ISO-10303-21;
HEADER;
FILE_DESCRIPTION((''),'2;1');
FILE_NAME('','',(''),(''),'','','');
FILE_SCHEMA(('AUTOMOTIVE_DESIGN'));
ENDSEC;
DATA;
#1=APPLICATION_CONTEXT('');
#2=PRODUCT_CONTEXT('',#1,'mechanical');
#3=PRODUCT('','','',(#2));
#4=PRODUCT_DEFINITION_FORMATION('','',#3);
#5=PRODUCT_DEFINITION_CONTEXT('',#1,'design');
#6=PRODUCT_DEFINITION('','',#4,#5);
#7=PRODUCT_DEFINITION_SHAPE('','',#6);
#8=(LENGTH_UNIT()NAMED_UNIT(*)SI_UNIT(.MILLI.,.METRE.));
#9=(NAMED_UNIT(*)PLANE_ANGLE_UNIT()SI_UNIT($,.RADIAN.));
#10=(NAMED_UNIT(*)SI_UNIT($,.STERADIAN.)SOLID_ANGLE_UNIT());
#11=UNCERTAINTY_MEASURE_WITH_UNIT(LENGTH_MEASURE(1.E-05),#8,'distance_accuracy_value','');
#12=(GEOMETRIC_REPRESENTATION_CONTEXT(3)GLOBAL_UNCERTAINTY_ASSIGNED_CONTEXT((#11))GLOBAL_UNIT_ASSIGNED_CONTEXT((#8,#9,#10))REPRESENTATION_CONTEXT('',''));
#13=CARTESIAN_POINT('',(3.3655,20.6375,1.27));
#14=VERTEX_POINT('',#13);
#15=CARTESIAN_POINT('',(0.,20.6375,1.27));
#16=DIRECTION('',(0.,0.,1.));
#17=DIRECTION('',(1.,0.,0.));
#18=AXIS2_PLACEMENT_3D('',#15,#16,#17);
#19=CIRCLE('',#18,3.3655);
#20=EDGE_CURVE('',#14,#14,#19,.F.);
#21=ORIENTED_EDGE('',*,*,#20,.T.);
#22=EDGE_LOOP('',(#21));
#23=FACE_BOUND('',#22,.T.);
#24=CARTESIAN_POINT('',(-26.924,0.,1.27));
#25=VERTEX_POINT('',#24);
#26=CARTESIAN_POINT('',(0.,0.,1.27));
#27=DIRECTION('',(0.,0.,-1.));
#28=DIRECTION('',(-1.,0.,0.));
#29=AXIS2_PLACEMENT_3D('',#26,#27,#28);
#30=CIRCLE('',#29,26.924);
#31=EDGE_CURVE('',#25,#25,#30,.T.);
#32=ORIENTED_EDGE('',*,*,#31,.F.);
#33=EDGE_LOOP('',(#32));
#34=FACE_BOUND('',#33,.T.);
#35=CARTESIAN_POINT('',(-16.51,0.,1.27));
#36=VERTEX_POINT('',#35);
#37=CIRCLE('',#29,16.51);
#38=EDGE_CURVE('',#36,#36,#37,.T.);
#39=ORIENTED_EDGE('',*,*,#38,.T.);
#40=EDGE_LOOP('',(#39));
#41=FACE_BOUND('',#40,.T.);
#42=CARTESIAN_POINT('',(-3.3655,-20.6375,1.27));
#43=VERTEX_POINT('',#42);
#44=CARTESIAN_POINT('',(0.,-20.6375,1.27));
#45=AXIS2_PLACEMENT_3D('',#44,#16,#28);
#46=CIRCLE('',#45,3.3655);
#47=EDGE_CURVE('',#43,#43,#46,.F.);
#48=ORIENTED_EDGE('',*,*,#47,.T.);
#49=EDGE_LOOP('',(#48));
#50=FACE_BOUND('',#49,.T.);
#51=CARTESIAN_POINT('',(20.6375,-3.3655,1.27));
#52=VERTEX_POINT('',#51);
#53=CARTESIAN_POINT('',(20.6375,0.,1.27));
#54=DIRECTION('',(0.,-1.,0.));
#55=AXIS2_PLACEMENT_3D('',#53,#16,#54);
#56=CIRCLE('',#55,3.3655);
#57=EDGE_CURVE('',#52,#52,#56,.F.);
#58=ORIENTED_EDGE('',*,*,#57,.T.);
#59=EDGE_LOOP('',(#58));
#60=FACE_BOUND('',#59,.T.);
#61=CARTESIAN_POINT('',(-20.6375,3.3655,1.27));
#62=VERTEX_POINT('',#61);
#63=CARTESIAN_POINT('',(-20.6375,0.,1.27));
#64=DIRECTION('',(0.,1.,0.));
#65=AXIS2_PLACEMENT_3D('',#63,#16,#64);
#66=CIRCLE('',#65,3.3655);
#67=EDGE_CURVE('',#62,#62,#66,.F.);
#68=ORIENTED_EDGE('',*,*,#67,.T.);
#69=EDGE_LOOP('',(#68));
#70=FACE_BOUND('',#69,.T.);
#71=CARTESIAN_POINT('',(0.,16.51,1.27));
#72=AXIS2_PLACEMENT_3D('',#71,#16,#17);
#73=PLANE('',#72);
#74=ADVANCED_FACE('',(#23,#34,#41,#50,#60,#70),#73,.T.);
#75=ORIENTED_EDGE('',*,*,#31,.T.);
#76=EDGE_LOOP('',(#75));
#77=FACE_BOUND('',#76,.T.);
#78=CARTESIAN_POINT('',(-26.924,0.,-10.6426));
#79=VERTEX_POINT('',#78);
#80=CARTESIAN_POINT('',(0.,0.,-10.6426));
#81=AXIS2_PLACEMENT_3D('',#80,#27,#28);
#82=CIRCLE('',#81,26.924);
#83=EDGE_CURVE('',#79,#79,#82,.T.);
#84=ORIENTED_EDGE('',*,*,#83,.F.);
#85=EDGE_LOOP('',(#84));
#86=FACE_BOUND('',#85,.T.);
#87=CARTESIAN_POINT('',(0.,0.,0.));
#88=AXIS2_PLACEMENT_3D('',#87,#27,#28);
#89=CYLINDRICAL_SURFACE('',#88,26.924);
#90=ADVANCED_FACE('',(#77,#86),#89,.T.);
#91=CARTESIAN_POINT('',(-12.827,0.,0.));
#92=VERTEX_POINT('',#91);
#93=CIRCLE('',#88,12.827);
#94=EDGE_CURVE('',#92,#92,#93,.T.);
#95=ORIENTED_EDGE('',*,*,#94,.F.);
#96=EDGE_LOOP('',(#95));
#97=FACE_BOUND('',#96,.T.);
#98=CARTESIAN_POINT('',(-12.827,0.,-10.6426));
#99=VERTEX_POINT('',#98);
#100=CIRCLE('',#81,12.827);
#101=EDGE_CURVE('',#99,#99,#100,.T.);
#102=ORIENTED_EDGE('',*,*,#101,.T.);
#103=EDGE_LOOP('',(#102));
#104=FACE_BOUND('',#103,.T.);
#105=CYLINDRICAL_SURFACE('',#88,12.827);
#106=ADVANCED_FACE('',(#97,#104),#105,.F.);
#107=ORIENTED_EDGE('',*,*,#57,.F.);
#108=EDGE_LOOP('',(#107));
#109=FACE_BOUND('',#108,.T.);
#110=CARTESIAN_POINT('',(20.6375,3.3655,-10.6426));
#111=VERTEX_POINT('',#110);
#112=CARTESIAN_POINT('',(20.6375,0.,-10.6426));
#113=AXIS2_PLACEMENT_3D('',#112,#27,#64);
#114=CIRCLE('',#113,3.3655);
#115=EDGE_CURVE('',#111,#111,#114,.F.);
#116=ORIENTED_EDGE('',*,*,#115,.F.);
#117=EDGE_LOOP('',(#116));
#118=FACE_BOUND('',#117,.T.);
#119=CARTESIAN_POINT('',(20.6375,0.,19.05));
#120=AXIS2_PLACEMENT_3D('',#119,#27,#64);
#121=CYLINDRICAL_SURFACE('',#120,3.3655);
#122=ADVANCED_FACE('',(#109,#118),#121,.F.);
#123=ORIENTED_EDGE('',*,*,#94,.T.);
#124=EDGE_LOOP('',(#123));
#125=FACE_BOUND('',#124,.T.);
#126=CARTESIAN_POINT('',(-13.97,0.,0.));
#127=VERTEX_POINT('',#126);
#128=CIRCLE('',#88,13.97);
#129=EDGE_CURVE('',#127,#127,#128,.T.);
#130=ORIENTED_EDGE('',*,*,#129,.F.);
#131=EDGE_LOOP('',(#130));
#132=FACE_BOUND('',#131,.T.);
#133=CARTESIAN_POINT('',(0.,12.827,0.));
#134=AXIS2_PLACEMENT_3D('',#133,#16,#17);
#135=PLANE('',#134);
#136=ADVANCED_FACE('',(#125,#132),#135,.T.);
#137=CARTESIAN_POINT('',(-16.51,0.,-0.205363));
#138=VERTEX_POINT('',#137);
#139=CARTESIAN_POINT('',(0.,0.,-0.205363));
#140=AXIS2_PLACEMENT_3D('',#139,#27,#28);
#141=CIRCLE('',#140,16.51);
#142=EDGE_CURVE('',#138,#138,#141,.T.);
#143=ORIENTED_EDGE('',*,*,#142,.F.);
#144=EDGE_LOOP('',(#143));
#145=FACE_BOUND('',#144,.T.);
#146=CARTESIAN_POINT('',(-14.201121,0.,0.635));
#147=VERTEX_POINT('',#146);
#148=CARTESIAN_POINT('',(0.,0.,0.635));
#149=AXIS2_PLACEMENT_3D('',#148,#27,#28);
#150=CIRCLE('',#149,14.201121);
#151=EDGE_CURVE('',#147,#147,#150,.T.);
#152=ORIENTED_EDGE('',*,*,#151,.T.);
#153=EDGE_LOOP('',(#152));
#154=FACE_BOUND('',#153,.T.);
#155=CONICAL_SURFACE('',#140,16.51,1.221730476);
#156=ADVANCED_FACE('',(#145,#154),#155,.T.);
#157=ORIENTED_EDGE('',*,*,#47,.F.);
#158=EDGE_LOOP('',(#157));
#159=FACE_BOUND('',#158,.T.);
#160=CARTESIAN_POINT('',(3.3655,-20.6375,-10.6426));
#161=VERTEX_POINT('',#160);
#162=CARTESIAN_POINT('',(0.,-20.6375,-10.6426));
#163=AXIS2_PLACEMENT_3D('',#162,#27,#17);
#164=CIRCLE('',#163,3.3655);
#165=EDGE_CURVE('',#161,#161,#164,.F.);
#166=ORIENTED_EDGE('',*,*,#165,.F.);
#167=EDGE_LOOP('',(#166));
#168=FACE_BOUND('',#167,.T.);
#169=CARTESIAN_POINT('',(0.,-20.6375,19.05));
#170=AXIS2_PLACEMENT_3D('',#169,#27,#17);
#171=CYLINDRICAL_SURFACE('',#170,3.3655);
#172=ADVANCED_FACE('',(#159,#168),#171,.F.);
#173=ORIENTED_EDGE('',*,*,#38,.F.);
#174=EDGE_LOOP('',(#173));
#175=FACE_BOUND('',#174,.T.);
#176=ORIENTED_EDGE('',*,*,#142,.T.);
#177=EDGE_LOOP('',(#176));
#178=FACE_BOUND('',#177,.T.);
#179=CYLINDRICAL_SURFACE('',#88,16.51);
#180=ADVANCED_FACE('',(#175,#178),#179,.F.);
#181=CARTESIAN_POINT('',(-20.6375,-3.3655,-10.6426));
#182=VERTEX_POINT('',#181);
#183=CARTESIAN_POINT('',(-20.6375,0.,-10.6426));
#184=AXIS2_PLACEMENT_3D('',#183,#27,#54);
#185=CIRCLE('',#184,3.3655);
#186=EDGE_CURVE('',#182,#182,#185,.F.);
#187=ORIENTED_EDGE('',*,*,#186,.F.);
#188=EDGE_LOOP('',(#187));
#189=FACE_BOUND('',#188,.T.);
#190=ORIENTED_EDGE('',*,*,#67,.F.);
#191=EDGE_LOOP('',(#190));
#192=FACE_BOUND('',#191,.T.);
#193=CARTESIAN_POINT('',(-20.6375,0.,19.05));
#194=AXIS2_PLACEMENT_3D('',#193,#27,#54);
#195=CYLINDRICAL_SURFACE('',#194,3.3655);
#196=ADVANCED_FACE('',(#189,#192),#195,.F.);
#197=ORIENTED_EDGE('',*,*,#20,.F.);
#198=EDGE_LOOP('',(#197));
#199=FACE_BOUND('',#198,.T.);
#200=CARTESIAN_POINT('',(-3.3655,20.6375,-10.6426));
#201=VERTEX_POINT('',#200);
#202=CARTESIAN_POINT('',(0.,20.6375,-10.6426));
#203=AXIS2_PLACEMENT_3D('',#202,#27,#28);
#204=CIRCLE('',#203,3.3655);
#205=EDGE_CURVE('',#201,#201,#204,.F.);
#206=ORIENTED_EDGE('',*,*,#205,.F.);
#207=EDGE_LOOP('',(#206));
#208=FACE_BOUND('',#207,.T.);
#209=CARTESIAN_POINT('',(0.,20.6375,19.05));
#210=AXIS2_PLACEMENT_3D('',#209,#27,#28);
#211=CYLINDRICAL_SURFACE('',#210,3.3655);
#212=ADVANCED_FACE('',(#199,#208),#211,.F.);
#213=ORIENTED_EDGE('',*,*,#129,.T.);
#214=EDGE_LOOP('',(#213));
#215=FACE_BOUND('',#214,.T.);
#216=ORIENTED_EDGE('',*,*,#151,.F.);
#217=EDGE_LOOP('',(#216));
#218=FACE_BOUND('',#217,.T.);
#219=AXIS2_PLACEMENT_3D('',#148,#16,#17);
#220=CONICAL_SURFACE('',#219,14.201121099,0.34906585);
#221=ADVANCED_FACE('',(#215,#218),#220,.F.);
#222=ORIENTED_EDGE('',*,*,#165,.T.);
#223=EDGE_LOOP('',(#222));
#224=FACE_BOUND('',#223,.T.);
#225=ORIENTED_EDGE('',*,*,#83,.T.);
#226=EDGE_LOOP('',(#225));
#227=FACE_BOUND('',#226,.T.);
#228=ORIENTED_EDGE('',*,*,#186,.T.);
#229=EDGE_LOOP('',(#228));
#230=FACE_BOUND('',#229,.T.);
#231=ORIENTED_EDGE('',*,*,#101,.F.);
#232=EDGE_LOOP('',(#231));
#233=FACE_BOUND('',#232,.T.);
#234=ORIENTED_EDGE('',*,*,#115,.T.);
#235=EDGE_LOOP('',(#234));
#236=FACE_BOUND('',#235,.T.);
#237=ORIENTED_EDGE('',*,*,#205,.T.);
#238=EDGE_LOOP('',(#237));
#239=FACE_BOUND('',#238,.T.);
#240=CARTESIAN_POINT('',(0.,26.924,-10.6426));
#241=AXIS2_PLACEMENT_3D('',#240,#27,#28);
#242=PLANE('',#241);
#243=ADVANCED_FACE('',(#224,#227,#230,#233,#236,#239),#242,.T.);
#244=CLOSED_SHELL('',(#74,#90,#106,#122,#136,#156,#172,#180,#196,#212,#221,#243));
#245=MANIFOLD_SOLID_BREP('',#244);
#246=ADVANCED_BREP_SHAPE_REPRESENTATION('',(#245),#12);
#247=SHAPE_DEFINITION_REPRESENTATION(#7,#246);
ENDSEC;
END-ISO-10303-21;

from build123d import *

# Parameters (mm, degrees)
SKETCH2_R          = 3.3655
CUT_EXTRUDE1_DEPTH = 19.05
CIRPATTERN1_COUNT  = 4


with BuildPart() as part:
    # Sketch1 → Revolve1 (revolve)
    with BuildSketch(Plane(origin=(0, 0, 0), x_dir=(0, 0, -1), z_dir=(1, 0, 0)), mode=Mode.PRIVATE) as revolve1_sk:
        Polygon((-1.27, 26.924), (10.6426, 26.924), (10.6426, 12.827), (0, 12.827), (0, 13.97), (-0.635, 14.201121099), (0.205363195, 16.51), (-1.27, 16.51), align=None)
    revolve(revolve1_sk.sketch.rotate(Axis((0, 0, 0), (0, 0, 1)), 90), axis=Axis((0, 0, 0), (0, 0, 1)))

    # Sketch2 → Cut-Extrude1 (cut, symmetric)
    with BuildSketch(Plane.XY):
        with Locations(Location((0, 20.6375, 0), (0, 0, 180))):
            Circle(SKETCH2_R)
    cut_extrude1 = extrude(amount=CUT_EXTRUDE1_DEPTH, both=True, mode=Mode.SUBTRACT)

    # CirPattern1: Cut-Extrude1 ×4 about axis
    cirpattern1_axis = Axis((0, 0, 0), (0, 0, 1))
    for i in range(1, CIRPATTERN1_COUNT):
        add(cut_extrude1.rotate(cirpattern1_axis, i * 360 / CIRPATTERN1_COUNT), mode=Mode.SUBTRACT)


solid = part.part
